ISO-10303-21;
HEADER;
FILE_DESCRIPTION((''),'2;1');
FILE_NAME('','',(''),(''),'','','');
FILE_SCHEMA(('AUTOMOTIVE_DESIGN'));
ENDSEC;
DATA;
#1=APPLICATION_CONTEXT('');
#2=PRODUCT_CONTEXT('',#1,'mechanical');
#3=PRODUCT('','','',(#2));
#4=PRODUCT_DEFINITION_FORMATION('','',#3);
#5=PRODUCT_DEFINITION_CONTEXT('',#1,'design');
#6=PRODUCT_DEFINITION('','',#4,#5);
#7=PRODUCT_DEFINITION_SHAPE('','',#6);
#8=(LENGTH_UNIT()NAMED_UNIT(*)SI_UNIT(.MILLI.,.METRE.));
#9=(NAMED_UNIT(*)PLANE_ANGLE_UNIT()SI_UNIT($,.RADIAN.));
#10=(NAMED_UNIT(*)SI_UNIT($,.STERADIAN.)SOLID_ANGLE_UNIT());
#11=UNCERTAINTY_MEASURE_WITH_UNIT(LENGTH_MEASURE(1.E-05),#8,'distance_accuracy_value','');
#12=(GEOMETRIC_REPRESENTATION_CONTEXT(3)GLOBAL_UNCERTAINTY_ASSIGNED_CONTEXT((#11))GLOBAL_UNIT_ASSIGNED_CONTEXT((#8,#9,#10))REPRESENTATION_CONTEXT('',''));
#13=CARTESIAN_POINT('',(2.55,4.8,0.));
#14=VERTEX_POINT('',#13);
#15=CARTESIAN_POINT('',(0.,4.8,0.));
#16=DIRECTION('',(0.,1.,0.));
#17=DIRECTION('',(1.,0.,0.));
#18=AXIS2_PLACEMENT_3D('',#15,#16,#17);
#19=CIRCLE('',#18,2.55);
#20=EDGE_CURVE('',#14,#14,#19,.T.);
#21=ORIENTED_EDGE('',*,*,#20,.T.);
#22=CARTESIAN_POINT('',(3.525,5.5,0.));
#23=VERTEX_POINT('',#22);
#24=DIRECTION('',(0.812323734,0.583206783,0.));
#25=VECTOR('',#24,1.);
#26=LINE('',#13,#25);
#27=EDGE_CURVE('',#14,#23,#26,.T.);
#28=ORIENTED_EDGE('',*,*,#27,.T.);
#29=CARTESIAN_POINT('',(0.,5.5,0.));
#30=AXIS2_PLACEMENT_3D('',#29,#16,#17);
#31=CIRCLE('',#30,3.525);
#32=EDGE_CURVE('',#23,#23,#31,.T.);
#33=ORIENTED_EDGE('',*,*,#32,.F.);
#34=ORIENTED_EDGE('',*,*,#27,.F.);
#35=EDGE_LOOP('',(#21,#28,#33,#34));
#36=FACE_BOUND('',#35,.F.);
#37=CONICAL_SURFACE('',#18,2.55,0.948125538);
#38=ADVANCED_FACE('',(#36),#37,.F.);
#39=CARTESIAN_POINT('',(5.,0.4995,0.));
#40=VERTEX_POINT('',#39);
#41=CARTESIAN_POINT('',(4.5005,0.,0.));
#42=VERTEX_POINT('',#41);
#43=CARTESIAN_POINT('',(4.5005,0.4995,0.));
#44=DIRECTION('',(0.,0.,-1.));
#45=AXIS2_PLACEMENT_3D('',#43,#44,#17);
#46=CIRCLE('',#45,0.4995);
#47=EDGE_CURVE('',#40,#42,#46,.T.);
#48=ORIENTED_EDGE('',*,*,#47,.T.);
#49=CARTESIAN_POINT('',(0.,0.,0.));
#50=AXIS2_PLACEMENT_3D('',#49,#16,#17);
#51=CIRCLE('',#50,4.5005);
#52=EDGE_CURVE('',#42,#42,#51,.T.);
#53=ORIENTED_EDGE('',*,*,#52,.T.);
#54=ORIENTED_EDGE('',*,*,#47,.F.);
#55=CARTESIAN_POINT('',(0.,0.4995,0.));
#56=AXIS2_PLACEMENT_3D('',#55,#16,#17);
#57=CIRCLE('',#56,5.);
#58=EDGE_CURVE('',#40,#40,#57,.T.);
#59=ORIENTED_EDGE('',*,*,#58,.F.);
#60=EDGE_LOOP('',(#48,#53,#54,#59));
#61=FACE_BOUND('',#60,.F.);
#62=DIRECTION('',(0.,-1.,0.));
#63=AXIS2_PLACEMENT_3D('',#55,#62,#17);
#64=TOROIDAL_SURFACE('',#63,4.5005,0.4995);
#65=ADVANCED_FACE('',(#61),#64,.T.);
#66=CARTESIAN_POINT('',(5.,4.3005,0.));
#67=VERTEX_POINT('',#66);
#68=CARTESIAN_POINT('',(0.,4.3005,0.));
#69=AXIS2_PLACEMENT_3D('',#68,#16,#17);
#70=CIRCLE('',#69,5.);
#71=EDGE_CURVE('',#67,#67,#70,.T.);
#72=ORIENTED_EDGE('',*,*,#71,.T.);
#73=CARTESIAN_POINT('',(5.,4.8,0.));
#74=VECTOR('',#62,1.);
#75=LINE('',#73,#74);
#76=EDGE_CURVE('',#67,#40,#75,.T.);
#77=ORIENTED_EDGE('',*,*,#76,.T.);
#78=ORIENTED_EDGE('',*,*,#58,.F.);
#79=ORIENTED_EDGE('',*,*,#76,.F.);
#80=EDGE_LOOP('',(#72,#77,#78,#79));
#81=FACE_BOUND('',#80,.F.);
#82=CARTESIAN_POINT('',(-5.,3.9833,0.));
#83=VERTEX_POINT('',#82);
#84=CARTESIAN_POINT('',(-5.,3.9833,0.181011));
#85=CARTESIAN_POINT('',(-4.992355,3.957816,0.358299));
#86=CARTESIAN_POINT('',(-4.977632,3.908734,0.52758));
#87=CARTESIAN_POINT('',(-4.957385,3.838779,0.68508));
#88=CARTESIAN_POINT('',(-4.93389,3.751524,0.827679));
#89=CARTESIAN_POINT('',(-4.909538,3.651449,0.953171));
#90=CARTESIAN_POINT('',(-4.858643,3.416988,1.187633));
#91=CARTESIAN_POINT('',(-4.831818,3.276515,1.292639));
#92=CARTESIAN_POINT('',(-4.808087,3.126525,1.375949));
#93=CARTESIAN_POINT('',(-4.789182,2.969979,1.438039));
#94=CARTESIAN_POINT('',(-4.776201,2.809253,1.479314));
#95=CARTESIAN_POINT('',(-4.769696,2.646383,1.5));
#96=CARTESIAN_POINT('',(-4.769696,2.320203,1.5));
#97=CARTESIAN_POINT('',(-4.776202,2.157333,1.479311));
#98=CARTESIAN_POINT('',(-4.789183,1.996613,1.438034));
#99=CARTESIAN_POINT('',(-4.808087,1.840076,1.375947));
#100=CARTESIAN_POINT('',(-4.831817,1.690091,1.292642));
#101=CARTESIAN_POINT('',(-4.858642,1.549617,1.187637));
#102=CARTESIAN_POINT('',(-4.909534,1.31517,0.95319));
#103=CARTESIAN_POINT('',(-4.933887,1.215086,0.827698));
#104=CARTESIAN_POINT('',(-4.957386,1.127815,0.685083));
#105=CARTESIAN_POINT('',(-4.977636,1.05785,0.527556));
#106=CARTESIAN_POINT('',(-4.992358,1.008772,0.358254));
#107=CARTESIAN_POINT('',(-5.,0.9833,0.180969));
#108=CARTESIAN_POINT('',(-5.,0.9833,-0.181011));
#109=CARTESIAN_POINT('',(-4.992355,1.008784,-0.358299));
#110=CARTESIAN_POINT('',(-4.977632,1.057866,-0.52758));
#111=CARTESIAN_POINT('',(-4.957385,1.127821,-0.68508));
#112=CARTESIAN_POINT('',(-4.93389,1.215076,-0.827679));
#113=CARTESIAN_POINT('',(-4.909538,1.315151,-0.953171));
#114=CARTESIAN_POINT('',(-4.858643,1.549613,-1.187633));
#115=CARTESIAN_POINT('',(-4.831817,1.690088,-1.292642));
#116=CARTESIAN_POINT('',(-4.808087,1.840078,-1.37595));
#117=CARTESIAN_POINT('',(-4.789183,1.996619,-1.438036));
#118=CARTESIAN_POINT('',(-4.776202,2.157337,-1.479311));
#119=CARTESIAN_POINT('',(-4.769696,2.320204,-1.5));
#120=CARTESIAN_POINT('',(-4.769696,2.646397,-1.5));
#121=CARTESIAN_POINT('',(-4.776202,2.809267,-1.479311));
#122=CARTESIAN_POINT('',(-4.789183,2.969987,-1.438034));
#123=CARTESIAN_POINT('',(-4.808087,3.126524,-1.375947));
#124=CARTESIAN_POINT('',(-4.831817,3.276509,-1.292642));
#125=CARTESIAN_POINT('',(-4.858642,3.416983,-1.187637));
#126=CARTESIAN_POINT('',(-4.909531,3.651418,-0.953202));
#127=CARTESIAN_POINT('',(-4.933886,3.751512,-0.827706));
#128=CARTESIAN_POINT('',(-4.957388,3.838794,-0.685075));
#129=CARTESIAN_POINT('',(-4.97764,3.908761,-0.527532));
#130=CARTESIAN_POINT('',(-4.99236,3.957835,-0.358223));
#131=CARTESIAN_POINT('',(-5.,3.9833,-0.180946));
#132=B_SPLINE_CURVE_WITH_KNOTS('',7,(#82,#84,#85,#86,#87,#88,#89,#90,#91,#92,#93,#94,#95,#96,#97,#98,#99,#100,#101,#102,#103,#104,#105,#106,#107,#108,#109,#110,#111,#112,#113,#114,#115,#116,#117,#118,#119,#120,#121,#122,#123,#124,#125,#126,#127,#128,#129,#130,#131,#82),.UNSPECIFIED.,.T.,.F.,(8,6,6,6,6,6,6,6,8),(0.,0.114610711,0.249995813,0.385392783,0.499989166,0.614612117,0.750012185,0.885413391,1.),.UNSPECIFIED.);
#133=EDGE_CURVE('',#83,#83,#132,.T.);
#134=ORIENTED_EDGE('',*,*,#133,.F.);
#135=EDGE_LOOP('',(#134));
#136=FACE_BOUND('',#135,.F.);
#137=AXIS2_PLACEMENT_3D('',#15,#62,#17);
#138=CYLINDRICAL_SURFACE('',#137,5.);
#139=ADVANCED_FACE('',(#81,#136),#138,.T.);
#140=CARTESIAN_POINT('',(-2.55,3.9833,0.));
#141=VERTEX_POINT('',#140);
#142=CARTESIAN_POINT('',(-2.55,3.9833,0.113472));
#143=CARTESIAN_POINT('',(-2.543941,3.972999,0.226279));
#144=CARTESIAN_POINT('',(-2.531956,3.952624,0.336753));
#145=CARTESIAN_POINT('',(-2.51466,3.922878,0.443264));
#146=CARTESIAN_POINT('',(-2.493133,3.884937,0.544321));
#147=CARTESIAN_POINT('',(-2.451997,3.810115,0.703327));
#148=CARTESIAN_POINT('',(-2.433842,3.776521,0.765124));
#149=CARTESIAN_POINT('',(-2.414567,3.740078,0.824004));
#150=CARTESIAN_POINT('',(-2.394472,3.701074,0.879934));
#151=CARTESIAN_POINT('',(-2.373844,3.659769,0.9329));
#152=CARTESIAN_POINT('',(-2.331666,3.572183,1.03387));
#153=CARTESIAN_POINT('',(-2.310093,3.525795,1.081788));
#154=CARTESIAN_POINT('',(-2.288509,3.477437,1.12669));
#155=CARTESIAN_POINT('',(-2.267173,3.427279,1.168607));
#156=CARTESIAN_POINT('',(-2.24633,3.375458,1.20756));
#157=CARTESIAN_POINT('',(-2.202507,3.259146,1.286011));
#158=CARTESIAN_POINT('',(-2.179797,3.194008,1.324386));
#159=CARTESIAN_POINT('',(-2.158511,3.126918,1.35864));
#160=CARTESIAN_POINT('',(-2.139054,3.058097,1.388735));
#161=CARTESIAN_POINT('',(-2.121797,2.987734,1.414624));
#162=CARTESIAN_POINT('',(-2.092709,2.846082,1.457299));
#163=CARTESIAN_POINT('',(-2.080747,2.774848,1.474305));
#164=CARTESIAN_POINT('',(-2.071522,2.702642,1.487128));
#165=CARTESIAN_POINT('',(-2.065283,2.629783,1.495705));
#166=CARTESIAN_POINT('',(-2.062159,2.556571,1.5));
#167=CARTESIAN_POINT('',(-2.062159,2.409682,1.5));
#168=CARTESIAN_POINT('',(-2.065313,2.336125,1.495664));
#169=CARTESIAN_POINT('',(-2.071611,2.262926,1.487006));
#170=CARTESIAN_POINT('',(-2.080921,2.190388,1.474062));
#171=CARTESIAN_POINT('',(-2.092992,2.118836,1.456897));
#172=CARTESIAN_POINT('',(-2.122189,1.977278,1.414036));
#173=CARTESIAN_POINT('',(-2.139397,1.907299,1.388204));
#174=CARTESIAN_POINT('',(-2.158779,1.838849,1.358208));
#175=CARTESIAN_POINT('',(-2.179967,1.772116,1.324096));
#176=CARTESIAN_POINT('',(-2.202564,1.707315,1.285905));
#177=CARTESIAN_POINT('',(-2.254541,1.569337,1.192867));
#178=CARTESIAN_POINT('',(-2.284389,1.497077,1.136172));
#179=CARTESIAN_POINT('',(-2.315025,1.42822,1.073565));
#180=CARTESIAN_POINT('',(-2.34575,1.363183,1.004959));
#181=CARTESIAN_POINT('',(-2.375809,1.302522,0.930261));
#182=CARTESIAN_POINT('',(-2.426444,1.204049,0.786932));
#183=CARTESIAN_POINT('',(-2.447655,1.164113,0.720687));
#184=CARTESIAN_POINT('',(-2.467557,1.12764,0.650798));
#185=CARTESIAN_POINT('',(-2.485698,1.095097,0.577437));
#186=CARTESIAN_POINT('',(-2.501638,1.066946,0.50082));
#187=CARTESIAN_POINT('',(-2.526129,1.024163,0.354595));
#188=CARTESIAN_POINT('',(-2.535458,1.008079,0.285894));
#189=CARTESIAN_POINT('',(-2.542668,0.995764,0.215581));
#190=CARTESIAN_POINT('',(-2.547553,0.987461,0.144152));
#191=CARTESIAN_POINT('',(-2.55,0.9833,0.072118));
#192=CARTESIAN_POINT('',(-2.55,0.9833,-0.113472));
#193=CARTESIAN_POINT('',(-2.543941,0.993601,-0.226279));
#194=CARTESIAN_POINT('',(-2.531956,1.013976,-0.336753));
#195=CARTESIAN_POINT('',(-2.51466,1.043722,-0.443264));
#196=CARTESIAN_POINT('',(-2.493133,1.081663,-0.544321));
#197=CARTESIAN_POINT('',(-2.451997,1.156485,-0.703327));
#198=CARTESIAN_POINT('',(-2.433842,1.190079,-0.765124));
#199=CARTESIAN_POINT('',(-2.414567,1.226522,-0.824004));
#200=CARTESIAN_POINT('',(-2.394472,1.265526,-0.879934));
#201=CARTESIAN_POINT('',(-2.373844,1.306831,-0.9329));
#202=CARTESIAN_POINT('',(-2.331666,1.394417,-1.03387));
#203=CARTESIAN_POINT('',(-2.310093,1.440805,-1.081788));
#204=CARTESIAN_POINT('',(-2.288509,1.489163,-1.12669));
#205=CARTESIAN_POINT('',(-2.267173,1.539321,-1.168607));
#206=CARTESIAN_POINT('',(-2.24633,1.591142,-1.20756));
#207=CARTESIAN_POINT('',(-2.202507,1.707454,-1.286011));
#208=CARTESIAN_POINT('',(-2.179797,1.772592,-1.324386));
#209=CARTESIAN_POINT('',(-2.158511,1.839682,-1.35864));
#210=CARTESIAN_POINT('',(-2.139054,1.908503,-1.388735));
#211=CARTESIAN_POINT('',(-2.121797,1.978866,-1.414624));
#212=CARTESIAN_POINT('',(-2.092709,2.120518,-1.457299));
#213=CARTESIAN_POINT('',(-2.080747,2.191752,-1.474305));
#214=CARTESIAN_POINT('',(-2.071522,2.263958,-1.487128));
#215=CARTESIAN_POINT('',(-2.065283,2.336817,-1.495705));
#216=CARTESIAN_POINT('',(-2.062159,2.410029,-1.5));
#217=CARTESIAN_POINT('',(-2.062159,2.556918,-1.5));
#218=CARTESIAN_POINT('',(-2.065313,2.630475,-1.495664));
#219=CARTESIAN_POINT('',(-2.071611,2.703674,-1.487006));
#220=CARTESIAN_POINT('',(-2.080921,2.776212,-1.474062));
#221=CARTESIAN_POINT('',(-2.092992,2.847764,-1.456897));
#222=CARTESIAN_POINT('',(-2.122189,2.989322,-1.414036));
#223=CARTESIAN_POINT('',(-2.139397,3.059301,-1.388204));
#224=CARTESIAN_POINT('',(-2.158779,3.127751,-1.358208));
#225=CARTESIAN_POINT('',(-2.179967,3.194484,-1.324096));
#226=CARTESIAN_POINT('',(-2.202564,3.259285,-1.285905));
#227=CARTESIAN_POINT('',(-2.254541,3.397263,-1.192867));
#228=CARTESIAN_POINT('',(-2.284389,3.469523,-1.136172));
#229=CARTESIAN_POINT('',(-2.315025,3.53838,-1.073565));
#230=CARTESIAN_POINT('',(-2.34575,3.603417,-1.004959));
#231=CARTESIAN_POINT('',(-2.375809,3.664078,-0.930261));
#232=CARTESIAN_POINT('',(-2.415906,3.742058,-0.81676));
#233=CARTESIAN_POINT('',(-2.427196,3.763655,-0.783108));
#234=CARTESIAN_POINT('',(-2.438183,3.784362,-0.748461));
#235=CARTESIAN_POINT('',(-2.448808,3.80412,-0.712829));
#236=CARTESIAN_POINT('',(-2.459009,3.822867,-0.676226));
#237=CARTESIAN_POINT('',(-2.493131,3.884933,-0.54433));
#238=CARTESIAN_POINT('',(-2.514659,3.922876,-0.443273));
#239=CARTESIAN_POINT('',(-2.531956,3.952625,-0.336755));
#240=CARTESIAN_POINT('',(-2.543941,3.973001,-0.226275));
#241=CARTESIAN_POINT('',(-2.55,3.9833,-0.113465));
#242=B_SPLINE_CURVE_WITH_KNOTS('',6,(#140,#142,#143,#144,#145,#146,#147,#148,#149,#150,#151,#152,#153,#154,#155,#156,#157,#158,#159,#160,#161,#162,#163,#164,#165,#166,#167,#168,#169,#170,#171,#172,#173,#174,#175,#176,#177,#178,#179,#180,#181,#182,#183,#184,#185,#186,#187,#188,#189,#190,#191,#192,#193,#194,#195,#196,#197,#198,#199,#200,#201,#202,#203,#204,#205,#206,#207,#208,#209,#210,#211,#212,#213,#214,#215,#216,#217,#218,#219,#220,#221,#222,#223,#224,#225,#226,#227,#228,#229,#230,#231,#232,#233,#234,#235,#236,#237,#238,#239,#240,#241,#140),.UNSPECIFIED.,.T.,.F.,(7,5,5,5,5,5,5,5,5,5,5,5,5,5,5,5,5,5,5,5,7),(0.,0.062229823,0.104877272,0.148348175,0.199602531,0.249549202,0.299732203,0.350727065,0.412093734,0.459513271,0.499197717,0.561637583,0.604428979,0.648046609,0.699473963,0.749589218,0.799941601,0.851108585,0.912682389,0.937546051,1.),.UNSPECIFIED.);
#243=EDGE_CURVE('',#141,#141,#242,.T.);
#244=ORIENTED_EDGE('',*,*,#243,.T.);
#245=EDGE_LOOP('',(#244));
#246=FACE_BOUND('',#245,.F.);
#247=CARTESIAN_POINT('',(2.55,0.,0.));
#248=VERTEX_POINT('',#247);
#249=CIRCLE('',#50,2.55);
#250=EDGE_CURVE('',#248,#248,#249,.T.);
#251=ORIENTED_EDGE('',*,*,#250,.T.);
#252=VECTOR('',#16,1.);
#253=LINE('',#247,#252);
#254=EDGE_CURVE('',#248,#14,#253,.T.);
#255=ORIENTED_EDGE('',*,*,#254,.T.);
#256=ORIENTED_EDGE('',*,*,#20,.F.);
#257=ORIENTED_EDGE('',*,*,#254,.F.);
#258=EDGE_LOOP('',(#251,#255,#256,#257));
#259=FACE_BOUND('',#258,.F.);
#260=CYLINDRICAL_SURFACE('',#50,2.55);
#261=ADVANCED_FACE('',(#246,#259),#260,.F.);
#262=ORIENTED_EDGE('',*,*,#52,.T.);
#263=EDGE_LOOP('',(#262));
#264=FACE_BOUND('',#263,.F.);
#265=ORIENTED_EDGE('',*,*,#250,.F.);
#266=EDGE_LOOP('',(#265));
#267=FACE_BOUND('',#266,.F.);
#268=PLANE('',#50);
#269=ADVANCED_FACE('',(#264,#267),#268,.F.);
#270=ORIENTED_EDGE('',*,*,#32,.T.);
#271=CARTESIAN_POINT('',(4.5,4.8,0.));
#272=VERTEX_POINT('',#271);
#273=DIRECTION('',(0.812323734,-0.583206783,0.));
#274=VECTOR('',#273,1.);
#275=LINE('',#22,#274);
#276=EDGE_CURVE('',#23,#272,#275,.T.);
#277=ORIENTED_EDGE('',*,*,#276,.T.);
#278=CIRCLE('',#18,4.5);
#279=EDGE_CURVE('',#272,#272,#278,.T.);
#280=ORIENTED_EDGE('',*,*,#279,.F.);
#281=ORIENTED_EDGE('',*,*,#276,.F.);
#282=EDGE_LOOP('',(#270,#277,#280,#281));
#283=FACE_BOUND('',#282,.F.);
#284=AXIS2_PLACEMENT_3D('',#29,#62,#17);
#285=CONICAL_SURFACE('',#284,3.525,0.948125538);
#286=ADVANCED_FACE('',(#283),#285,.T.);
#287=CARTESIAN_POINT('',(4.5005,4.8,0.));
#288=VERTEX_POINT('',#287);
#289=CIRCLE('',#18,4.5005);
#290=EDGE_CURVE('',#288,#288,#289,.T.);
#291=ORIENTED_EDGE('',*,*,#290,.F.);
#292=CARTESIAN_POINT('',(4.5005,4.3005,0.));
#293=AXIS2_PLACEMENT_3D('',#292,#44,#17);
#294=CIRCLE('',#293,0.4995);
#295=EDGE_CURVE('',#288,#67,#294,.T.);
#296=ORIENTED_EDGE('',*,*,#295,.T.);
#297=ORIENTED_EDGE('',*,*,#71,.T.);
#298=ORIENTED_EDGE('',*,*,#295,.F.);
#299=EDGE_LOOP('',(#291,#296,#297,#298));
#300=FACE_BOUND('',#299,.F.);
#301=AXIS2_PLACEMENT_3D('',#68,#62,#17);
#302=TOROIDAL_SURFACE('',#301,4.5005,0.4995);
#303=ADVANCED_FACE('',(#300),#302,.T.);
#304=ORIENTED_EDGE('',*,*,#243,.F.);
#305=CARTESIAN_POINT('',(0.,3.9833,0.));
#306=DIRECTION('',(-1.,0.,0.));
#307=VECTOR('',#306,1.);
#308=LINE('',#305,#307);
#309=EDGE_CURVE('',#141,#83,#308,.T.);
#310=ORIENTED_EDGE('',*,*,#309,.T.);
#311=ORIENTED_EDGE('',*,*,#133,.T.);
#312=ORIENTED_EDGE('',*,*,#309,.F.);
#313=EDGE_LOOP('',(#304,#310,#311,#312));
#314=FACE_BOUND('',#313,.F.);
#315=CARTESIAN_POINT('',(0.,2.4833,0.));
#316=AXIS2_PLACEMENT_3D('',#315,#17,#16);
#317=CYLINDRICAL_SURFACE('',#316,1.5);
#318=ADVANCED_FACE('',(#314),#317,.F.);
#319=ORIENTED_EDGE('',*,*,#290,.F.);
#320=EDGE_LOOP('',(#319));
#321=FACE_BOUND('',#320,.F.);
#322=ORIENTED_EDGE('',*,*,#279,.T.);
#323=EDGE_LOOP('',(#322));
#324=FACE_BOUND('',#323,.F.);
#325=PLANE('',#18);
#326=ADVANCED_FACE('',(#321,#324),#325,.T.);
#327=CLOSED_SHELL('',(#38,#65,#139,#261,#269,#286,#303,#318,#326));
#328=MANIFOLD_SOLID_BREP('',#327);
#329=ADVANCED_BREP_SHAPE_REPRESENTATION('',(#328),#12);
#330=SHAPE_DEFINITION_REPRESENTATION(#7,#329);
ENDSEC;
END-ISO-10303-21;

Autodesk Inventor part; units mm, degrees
ref_plane "YZ Plane" through (0, 0, 0) normal (1, 0, 0) x (0, 1, 0)
ref_plane "XZ Plane" through (0, 0, 0) normal (0, 1, 0) x (-1, 0, 0)
ref_plane "XY Plane" through (0, 0, 0) normal (0, 0, 1) x (1, 0, 0)
sketch "Sketch1" plane through (0, 0, 0) normal (0, 0, 1) x (1, 0, 0)
  line L0 (2.55, 4.8) -> (3.525, 5.5)
  line L1 (3.525, 5.5) -> (4.5, 4.8)
  line L2 (4.5, 4.8) -> (5, 4.8)
  line L3 (5, 4.8) -> (5, 0)
  line L4 (5, 0) -> (2.55, 0)
  line L5 (2.55, 0) -> (2.55, 4.8)
  line L6 (0, 0) -> (0, 15.358) construction
  line L7 (2.55, 4.8) -> (4.5, 4.8) construction
  point P0 (3.775, 0)
  dimension "d0" = 2.55
  dimension "d1" = 5
  dimension "d2" = 5.5
  dimension "d4" = 4.8
  dimension "d5" = 0.5
revolve "Revolution1" add sketch "Sketch1" angle 360 about axis through (0, 0, 0) along (0, 1, 0)
fillet "Fillet1" radius 0.5 2 edges at (-5, 4.8, 0) (-5, 0, 0)
sketch "Sketch2" plane through (0, 0, 0) normal (1, 0, 0) x (0, 1, 0)
  circle A0 centre (2.4833, 0) radius 1.5
  point P0 (0, 0)
  dimension "d8" = 3
extrude "Extrusion1" cut sketch "Sketch2" against normal blind 10
thread "Thread1" size "M3x0.5" class "6H" standard "ANSI Metric M Profile" full length
properties part number "5mm Collar"
